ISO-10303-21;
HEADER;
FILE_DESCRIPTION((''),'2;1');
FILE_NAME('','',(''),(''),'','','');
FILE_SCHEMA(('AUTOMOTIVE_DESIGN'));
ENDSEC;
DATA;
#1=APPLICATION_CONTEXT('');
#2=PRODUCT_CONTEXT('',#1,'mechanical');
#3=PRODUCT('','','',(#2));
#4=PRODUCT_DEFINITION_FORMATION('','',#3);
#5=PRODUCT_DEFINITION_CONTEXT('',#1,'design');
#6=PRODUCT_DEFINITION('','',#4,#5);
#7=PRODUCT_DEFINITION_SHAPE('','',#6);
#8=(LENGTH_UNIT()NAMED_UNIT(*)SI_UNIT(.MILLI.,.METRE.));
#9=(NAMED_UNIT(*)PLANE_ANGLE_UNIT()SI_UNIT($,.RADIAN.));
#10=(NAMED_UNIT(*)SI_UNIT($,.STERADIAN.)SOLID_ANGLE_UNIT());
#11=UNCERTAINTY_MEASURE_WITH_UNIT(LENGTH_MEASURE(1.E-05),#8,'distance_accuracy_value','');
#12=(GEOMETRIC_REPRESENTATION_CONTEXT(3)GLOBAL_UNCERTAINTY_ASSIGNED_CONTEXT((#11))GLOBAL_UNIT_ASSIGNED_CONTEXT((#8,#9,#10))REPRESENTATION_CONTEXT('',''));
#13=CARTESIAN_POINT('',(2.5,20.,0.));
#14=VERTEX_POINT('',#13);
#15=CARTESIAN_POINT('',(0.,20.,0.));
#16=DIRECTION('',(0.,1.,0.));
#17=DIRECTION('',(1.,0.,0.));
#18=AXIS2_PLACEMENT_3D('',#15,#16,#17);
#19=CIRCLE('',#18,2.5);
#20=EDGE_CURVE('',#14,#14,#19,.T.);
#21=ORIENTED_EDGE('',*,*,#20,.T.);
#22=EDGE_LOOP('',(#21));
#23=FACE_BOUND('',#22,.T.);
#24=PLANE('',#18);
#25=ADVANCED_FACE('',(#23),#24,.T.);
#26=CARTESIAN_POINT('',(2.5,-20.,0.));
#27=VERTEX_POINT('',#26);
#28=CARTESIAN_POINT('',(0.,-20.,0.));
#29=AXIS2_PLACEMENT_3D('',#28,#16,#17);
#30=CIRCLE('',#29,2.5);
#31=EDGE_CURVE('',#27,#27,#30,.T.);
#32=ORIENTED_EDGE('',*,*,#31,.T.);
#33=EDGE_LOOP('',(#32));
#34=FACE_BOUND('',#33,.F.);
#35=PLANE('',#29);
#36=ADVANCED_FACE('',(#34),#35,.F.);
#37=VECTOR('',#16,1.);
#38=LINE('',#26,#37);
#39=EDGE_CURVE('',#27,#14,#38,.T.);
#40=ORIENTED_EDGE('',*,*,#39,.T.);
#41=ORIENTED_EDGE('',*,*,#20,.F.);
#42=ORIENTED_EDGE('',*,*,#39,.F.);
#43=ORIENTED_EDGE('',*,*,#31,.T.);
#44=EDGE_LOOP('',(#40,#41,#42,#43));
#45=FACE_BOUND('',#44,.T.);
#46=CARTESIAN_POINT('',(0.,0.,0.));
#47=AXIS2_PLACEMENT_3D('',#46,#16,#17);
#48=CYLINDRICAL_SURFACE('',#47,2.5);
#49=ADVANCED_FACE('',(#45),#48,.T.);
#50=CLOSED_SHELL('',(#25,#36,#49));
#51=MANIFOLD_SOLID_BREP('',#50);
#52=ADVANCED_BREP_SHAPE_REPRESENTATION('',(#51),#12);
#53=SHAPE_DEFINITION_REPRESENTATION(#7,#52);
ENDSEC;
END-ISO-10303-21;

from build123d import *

# Parameters (mm, degrees)
SKETCH1_R           = 2.5
BOSS_EXTRUDE1_DEPTH = 20


with BuildPart() as part:
    # Sketch1 → Boss-Extrude1 (new body, symmetric)
    with BuildSketch(Plane(origin=(0, 0, 0), x_dir=(1, 0, 0), z_dir=(0, 1, 0))):
        Circle(SKETCH1_R)
    extrude(amount=BOSS_EXTRUDE1_DEPTH, both=True)


solid = part.part
